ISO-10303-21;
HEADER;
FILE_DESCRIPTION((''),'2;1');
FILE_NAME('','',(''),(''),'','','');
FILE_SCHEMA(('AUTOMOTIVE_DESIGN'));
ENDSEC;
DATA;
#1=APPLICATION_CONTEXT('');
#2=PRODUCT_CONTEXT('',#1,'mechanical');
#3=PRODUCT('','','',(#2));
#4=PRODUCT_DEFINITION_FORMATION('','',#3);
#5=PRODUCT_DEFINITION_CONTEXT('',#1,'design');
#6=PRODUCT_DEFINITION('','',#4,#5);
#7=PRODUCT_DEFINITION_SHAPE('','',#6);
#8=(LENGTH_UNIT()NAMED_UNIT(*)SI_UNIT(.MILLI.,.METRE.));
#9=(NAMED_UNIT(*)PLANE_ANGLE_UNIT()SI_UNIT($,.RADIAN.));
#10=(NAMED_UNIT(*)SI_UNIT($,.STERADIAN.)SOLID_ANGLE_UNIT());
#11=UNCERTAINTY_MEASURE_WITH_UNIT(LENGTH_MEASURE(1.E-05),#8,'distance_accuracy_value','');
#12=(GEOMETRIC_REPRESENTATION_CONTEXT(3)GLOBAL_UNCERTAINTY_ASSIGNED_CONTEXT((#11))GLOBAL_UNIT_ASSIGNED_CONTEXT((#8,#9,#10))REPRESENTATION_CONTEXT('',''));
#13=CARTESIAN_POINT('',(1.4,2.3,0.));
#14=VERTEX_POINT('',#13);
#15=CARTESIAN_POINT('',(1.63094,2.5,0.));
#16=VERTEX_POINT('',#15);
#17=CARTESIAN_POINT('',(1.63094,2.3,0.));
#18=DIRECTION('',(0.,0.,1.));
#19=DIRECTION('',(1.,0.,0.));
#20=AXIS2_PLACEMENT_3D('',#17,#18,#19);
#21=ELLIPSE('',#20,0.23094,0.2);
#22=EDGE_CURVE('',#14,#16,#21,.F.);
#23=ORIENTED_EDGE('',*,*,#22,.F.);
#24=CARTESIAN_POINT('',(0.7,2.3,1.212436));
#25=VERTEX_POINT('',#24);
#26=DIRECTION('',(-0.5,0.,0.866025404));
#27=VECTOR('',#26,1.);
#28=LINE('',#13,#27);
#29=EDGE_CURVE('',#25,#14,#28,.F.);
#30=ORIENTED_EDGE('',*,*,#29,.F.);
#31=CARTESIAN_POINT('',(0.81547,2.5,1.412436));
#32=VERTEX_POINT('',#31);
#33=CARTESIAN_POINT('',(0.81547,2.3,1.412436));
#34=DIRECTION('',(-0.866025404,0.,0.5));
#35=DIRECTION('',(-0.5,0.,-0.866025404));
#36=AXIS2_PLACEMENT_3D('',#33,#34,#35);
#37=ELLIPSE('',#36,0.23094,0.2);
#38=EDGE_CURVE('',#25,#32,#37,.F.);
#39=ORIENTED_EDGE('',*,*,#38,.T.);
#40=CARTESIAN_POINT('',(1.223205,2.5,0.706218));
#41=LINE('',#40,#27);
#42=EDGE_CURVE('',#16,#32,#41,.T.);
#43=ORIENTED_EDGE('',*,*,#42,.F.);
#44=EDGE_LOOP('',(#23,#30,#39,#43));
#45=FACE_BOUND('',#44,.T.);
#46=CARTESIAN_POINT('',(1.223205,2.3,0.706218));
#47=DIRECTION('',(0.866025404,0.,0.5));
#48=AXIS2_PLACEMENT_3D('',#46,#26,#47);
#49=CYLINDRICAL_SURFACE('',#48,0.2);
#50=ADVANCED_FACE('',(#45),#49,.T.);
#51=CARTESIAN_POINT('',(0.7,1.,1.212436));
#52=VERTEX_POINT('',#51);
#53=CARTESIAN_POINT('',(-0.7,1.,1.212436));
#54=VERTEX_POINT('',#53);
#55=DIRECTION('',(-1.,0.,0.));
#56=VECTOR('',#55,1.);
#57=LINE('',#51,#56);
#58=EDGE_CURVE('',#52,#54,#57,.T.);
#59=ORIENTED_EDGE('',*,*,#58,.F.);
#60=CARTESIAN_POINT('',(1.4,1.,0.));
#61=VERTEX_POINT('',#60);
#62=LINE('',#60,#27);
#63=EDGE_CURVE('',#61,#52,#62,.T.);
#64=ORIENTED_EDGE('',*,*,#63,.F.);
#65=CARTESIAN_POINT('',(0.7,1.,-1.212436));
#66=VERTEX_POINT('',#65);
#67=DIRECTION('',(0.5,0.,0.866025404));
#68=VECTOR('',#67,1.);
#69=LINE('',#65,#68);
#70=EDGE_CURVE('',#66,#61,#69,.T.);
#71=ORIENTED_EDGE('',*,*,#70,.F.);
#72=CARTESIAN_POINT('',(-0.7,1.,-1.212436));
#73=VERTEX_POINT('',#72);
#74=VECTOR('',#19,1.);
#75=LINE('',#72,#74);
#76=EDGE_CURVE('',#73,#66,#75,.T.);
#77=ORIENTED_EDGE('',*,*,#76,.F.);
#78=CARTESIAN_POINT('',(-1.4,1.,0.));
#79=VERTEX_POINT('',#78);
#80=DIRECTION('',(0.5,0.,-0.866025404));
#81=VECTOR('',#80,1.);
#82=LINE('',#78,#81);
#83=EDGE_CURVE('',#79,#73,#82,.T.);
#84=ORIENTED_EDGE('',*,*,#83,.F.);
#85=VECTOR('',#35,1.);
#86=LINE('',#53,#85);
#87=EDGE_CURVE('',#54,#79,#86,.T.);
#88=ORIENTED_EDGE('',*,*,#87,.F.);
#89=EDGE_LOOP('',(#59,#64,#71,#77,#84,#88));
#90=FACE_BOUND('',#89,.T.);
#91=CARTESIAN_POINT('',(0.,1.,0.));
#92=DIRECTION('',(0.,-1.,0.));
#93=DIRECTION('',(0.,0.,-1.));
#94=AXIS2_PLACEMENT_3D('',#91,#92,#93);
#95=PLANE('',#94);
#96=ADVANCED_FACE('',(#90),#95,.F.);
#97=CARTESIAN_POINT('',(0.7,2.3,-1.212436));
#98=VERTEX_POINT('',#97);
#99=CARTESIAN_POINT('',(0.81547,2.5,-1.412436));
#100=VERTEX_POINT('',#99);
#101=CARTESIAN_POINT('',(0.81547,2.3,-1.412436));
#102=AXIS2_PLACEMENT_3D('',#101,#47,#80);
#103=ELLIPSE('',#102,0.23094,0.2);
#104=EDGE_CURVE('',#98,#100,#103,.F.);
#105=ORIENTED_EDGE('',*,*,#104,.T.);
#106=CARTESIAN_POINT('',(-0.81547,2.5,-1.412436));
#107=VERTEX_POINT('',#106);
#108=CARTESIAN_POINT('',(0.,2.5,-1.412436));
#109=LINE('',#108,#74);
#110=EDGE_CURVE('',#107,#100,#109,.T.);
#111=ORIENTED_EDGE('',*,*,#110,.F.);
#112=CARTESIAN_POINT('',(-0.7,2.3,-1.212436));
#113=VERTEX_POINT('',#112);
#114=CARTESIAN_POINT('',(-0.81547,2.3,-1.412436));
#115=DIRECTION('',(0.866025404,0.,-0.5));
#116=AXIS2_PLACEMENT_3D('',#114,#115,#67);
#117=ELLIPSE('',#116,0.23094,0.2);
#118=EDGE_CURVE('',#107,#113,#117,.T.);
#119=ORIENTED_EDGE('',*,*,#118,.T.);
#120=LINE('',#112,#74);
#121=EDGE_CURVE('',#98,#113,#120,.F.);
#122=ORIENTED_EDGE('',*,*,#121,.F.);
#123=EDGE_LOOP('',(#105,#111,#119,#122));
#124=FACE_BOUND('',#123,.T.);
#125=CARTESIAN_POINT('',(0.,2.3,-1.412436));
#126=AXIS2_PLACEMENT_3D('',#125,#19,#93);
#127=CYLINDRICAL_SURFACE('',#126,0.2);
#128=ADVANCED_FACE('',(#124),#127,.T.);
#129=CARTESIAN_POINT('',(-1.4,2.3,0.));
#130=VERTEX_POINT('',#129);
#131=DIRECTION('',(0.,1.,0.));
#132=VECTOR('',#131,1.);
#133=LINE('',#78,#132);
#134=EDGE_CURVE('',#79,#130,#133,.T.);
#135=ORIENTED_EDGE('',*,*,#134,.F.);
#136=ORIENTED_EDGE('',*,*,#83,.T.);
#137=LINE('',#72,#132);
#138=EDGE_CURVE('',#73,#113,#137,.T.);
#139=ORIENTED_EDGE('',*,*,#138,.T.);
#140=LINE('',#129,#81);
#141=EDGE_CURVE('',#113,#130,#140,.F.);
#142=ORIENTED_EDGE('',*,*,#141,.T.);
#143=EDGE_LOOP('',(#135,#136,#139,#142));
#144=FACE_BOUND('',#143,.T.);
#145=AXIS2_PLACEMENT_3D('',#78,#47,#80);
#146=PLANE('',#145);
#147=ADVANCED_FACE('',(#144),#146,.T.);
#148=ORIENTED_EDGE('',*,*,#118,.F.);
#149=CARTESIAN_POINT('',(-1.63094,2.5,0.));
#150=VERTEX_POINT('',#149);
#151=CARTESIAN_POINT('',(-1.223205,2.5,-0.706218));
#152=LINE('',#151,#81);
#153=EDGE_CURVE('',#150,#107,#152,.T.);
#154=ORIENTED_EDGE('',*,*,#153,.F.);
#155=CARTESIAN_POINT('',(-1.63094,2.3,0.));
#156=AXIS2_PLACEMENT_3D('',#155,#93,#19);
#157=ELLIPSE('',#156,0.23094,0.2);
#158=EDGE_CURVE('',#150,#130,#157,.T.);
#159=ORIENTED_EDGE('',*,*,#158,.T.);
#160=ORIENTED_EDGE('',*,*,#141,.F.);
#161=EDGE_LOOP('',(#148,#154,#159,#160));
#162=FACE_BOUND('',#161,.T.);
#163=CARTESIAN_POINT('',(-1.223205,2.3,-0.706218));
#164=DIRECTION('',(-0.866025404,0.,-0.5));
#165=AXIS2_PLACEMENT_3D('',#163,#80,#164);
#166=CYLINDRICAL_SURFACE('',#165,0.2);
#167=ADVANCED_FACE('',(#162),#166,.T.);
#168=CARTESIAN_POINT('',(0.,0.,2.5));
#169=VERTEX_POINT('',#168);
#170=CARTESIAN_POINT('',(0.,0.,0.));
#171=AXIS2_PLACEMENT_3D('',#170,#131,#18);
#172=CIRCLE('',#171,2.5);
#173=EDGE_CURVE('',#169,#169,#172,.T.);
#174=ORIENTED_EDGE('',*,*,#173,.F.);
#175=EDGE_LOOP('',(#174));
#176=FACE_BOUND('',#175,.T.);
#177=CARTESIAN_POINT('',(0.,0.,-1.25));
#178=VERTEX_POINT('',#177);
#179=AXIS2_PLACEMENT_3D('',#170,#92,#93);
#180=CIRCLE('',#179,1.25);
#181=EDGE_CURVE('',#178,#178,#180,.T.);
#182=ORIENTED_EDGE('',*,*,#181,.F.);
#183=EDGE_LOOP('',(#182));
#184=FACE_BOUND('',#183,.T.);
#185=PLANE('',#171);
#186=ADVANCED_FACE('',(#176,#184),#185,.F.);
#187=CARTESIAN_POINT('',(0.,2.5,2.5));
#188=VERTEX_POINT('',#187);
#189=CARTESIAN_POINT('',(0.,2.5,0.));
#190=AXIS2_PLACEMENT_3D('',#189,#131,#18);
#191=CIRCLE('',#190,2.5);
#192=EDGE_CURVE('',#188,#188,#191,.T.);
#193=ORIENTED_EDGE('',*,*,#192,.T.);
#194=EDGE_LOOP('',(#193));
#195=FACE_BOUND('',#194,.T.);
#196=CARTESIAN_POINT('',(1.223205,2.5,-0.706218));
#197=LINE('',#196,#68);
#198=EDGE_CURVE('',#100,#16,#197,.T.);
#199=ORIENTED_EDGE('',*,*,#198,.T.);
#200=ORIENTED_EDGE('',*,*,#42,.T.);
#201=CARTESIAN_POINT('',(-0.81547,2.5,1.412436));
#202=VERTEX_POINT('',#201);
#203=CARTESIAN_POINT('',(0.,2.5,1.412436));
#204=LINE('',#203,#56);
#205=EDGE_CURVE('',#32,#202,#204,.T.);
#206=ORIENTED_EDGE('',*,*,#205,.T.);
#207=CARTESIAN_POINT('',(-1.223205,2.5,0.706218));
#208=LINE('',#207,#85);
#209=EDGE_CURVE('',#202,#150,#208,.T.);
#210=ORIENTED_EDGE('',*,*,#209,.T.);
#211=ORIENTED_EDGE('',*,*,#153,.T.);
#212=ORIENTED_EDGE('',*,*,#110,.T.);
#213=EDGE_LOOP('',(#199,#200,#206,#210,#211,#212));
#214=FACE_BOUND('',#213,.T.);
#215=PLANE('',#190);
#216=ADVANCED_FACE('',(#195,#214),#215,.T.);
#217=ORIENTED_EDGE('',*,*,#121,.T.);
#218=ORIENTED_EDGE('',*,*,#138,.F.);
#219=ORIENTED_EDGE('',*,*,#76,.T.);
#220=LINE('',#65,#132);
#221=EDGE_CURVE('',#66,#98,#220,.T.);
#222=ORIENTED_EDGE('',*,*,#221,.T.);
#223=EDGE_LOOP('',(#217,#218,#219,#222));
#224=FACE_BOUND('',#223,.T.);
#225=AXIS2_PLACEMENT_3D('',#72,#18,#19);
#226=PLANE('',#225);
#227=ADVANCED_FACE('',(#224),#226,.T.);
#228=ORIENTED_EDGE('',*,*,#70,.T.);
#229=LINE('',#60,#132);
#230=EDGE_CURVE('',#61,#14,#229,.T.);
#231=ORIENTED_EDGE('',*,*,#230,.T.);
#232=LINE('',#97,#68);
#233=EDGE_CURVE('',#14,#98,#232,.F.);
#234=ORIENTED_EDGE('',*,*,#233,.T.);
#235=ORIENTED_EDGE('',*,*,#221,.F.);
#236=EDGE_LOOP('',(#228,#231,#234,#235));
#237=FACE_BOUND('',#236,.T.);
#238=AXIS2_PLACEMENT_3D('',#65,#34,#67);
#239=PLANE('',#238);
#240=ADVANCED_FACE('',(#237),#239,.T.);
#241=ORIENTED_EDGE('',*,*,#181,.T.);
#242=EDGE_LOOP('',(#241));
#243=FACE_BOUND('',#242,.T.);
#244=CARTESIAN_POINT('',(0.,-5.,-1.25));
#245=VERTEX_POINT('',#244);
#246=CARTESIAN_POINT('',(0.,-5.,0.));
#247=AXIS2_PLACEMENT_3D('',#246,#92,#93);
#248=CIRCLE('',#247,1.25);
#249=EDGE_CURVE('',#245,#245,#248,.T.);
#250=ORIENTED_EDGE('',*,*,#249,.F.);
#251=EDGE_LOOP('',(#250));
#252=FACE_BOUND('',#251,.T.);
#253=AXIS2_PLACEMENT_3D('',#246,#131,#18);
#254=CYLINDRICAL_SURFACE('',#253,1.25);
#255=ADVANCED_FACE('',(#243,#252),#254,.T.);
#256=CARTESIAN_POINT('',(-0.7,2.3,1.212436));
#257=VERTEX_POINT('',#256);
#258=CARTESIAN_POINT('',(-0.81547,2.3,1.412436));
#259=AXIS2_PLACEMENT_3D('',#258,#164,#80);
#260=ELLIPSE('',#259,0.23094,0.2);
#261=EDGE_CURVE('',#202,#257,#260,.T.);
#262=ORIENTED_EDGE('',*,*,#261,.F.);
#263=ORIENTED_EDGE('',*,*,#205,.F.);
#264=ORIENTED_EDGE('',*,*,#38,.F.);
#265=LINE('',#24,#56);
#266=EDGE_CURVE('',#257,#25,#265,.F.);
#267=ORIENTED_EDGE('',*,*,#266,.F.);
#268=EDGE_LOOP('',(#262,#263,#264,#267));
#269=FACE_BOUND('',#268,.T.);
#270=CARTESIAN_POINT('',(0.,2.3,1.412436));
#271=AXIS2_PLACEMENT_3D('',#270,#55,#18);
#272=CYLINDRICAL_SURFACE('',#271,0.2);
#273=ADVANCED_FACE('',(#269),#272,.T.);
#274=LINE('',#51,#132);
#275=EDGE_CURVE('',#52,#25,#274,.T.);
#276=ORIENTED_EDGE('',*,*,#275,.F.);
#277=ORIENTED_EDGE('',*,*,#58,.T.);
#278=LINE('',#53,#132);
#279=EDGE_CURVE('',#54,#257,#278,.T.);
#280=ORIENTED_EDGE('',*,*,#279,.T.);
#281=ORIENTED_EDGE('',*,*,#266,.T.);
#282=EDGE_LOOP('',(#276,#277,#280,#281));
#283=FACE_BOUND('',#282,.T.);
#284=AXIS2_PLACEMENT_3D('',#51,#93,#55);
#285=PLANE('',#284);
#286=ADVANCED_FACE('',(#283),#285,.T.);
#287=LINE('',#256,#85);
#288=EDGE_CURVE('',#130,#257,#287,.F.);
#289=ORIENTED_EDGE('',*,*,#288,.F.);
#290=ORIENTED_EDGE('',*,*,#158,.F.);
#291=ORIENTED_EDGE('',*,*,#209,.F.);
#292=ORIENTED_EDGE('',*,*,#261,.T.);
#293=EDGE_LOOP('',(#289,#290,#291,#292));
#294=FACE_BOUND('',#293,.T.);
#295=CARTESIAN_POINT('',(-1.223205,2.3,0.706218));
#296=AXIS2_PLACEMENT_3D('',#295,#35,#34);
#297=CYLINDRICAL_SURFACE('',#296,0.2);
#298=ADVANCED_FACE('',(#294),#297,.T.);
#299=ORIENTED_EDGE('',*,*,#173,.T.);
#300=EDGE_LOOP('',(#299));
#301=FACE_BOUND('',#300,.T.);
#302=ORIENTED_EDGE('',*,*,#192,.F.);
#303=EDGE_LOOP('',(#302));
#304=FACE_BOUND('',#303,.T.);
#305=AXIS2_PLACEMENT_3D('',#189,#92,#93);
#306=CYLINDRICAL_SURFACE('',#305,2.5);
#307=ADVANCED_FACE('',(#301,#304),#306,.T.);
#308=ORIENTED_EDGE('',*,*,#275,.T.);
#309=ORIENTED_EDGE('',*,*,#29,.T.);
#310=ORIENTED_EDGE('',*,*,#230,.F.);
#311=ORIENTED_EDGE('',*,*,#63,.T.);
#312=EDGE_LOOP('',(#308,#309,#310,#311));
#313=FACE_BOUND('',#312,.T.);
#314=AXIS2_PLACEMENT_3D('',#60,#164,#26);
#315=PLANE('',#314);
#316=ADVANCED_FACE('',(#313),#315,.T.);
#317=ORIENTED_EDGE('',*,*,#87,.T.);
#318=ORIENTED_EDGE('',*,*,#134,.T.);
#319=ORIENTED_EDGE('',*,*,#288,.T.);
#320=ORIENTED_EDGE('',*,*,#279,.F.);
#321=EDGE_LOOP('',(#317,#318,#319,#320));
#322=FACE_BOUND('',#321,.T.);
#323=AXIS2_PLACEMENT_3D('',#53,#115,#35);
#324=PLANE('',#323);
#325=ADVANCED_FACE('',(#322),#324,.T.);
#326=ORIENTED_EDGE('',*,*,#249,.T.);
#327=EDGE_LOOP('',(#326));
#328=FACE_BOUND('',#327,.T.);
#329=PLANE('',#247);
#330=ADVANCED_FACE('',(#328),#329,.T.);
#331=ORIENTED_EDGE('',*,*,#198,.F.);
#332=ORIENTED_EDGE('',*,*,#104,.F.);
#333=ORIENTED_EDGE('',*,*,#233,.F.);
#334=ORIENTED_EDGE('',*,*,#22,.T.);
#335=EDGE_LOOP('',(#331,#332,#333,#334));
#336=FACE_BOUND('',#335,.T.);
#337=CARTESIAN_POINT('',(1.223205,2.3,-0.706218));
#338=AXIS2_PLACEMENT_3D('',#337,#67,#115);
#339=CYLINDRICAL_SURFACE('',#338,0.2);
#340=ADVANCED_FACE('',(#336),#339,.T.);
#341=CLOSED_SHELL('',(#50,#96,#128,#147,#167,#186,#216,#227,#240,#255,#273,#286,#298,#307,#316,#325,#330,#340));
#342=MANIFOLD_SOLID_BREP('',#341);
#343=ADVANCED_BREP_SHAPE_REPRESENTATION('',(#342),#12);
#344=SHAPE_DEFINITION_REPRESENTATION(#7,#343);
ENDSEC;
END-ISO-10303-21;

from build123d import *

# Parameters (mm, degrees)
SKETCH_1_R          = 2.5
EXTRUDE_1_DEPTH     = 2.5
CUT_EXTRUDE_1_DEPTH = 1.5
SKETCH_5_R          = 1.25
EXTRUDE_2_DEPTH     = 5
FILLET_1_R          = 0.2


with BuildPart() as part:
    # 草图1 → 凸台-拉伸1 (new body)
    with BuildSketch(Plane(origin=(0, 0, 0), x_dir=(1, 0, 0), z_dir=(0, 1, 0))):
        with Locations(Location((0, 0, 0), (0, 0, 270))):
            Circle(SKETCH_1_R)
    extrude(amount=EXTRUDE_1_DEPTH)

    # 草图2 → 切除-拉伸1 (cut)
    with BuildSketch(Plane(origin=(0, 2.5, 0), x_dir=(1, 0, 0), z_dir=(0, 1, 0))):
        Polygon((-0.7, 1.212435565), (0.7, 1.212435565), (1.4, 0), (0.7, -1.212435565), (-0.7, -1.212435565), (-1.4, 0), align=None)
    extrude(amount=-CUT_EXTRUDE_1_DEPTH, mode=Mode.SUBTRACT)

    # 草图5 → 凸台-拉伸2 (add)
    with BuildSketch(Plane.XZ):
        with Locations(Location((0, 0, 0), (0, 0, 270))):
            Circle(SKETCH_5_R)
    extrude(amount=EXTRUDE_2_DEPTH)

    # 圆角1
    fillet_1_edges = [part.edges().sort_by_distance(p)[0] for p in [
        (1.05, 2.5, -0.606217783),
        (1.05, 2.5, 0.606217783),
        (0, 2.5, 1.212435565),
        (-1.05, 2.5, 0.606217783),
        (-1.05, 2.5, -0.606217783),
        (0, 2.5, -1.212435565),
    ]]
    fillet(fillet_1_edges, radius=FILLET_1_R)


solid = part.part
